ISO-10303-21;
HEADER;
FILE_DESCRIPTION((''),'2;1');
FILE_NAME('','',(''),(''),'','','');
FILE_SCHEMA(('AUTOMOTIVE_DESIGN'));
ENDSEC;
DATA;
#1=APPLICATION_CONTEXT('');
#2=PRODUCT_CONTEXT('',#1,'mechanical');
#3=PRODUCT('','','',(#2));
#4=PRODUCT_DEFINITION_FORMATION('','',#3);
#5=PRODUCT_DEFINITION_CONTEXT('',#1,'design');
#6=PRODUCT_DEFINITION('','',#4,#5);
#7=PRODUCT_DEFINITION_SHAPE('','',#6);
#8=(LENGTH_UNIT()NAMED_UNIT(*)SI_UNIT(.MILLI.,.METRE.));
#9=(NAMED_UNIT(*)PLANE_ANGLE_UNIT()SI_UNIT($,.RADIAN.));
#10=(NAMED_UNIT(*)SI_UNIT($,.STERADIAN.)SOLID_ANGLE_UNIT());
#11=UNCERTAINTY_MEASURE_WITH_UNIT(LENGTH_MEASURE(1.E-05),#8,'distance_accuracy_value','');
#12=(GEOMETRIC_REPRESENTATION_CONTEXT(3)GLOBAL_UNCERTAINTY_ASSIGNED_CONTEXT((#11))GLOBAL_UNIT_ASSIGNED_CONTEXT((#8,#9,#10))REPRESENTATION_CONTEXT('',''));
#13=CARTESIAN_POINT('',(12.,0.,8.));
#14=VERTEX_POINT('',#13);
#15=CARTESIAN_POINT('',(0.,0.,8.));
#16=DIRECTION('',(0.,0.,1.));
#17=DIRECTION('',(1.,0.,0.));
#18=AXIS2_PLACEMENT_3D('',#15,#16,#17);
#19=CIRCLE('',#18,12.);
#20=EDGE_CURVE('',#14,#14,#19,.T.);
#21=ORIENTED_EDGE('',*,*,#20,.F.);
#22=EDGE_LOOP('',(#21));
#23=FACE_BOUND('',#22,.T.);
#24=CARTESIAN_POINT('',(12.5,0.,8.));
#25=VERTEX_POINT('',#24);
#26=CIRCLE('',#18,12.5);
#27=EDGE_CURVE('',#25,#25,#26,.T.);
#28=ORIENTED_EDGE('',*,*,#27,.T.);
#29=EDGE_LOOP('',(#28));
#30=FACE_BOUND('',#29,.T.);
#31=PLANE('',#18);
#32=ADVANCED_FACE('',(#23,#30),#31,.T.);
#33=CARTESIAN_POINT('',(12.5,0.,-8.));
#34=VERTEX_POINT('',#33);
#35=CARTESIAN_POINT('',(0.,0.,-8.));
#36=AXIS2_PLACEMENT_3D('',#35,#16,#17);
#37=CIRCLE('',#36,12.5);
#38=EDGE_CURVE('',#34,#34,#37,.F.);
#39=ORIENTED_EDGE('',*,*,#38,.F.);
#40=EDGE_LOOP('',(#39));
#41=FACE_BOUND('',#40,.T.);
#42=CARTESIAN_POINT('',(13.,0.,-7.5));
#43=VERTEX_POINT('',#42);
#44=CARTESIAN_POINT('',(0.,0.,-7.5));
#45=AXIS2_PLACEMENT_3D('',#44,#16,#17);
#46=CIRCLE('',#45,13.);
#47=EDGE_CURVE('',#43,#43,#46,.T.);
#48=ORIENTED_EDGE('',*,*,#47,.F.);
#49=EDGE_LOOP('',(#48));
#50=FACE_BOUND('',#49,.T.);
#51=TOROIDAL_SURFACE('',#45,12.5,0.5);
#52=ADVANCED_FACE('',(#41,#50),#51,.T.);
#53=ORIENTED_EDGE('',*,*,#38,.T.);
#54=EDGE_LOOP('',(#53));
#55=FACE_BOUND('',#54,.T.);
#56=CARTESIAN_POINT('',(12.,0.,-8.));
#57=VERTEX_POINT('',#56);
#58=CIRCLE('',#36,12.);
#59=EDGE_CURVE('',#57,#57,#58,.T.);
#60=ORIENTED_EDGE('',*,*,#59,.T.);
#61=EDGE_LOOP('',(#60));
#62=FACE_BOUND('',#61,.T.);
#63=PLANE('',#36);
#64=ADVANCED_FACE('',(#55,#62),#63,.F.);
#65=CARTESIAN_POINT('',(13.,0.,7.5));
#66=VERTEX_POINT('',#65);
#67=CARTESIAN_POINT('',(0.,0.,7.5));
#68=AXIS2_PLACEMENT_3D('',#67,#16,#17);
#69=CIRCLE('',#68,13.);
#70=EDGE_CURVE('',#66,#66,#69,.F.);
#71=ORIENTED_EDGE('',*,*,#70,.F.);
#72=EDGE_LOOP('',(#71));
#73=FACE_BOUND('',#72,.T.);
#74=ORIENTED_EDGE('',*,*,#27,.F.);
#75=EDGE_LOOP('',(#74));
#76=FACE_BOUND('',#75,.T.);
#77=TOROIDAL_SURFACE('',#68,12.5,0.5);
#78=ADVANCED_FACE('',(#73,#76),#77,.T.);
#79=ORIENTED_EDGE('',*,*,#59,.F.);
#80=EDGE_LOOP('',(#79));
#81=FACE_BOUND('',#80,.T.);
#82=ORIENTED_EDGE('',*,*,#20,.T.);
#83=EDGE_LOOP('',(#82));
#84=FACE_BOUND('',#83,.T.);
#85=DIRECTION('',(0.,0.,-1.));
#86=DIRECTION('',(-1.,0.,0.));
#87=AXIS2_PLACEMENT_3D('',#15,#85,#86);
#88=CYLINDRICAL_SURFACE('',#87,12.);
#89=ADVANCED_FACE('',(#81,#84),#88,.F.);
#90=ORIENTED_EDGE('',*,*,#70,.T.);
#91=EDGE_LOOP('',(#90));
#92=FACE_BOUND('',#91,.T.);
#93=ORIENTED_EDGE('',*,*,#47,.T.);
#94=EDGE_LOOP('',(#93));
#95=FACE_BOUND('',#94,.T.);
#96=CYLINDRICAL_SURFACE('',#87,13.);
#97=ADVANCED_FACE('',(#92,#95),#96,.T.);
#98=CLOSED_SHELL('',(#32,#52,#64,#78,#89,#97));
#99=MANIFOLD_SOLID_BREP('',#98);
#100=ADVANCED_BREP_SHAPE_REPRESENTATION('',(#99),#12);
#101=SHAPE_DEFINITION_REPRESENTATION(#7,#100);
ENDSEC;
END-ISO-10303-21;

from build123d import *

# Parameters (mm, degrees)
ESQUISSE1_R      = 13
ESQUISSE1_R_2    = 12
EXTRUSION1_DEPTH = 8
CONG_1_R         = 0.5


with BuildPart() as part:
    # Esquisse1 → Extrusion1 (new, symmetric)
    with BuildSketch(Plane.XY):
        Circle(ESQUISSE1_R)
        Circle(ESQUISSE1_R_2, mode=Mode.SUBTRACT)
    extrude(amount=EXTRUSION1_DEPTH, both=True)

    # Congé1
    cong_1_edges = [part.edges().sort_by_distance(p)[0] for p in [
        (-13, 0, -8),
        (-13, 0, 8),
    ]]
    fillet(cong_1_edges, radius=CONG_1_R)


solid = part.part
